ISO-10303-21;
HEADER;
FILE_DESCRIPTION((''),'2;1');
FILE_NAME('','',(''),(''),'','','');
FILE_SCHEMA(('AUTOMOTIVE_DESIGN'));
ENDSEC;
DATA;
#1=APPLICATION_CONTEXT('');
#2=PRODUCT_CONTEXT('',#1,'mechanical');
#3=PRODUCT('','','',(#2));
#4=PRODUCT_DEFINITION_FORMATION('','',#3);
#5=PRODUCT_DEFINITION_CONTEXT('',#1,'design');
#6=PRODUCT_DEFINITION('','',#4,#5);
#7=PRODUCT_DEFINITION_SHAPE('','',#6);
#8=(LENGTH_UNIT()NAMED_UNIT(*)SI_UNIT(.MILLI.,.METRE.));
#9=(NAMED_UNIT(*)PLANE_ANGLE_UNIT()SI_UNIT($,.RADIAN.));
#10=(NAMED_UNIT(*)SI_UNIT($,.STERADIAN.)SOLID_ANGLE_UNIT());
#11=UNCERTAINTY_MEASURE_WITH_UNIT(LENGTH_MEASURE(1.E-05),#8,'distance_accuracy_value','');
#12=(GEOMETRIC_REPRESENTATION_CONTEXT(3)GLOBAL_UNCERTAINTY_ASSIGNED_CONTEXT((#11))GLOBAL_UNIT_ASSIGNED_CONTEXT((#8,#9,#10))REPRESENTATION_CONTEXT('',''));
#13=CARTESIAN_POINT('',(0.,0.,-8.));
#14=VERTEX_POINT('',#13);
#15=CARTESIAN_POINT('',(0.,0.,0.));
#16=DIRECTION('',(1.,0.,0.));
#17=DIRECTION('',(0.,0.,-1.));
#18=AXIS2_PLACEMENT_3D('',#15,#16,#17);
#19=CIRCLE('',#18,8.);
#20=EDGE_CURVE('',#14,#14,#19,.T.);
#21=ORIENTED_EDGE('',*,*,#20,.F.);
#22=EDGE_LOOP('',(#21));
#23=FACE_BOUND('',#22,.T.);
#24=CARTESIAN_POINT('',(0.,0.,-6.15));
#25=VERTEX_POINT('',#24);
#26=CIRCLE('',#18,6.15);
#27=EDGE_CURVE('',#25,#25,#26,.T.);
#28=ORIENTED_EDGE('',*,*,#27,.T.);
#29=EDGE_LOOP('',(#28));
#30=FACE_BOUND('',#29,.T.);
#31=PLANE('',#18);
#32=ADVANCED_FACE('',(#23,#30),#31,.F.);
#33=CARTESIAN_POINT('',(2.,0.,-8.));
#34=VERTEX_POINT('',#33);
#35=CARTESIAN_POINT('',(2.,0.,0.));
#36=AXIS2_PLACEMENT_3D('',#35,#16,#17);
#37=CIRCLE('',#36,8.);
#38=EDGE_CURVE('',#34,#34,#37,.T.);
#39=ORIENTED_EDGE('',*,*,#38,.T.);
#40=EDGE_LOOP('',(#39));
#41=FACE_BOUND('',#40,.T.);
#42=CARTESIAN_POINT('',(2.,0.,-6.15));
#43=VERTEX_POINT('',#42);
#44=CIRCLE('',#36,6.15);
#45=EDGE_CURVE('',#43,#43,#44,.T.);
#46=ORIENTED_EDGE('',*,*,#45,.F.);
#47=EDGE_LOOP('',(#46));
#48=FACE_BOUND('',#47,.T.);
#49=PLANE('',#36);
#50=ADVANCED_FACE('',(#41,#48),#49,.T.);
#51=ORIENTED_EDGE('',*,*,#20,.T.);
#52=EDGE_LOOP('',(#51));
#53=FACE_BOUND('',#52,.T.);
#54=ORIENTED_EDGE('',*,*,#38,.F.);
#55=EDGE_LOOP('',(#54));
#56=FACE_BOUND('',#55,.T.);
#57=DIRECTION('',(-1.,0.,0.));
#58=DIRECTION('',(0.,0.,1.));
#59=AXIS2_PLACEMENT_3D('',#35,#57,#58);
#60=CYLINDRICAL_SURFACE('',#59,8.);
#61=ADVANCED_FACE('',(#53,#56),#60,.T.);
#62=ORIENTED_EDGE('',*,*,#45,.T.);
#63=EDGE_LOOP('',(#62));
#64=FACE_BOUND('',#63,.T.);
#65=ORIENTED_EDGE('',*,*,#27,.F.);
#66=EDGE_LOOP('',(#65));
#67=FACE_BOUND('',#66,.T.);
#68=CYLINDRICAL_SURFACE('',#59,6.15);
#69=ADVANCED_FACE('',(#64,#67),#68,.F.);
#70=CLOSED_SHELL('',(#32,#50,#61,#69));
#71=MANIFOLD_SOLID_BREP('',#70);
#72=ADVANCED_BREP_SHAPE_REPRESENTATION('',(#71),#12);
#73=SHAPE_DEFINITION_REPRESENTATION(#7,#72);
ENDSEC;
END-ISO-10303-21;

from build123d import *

# Parameters (mm, degrees)
SKETCH_1_R      = 8
SKETCH_1_R_2    = 6.15
EXTRUDE_1_DEPTH = 2


with BuildPart() as part:
    # ｽｹｯﾁ1 → ﾎﾞｽ - 押し出し1 (new body)
    with BuildSketch(Plane(origin=(0, 0, 0), x_dir=(0, 0, -1), z_dir=(1, 0, 0))):
        Circle(SKETCH_1_R)
        Circle(SKETCH_1_R_2, mode=Mode.SUBTRACT)
    extrude(amount=EXTRUDE_1_DEPTH)


solid = part.part
